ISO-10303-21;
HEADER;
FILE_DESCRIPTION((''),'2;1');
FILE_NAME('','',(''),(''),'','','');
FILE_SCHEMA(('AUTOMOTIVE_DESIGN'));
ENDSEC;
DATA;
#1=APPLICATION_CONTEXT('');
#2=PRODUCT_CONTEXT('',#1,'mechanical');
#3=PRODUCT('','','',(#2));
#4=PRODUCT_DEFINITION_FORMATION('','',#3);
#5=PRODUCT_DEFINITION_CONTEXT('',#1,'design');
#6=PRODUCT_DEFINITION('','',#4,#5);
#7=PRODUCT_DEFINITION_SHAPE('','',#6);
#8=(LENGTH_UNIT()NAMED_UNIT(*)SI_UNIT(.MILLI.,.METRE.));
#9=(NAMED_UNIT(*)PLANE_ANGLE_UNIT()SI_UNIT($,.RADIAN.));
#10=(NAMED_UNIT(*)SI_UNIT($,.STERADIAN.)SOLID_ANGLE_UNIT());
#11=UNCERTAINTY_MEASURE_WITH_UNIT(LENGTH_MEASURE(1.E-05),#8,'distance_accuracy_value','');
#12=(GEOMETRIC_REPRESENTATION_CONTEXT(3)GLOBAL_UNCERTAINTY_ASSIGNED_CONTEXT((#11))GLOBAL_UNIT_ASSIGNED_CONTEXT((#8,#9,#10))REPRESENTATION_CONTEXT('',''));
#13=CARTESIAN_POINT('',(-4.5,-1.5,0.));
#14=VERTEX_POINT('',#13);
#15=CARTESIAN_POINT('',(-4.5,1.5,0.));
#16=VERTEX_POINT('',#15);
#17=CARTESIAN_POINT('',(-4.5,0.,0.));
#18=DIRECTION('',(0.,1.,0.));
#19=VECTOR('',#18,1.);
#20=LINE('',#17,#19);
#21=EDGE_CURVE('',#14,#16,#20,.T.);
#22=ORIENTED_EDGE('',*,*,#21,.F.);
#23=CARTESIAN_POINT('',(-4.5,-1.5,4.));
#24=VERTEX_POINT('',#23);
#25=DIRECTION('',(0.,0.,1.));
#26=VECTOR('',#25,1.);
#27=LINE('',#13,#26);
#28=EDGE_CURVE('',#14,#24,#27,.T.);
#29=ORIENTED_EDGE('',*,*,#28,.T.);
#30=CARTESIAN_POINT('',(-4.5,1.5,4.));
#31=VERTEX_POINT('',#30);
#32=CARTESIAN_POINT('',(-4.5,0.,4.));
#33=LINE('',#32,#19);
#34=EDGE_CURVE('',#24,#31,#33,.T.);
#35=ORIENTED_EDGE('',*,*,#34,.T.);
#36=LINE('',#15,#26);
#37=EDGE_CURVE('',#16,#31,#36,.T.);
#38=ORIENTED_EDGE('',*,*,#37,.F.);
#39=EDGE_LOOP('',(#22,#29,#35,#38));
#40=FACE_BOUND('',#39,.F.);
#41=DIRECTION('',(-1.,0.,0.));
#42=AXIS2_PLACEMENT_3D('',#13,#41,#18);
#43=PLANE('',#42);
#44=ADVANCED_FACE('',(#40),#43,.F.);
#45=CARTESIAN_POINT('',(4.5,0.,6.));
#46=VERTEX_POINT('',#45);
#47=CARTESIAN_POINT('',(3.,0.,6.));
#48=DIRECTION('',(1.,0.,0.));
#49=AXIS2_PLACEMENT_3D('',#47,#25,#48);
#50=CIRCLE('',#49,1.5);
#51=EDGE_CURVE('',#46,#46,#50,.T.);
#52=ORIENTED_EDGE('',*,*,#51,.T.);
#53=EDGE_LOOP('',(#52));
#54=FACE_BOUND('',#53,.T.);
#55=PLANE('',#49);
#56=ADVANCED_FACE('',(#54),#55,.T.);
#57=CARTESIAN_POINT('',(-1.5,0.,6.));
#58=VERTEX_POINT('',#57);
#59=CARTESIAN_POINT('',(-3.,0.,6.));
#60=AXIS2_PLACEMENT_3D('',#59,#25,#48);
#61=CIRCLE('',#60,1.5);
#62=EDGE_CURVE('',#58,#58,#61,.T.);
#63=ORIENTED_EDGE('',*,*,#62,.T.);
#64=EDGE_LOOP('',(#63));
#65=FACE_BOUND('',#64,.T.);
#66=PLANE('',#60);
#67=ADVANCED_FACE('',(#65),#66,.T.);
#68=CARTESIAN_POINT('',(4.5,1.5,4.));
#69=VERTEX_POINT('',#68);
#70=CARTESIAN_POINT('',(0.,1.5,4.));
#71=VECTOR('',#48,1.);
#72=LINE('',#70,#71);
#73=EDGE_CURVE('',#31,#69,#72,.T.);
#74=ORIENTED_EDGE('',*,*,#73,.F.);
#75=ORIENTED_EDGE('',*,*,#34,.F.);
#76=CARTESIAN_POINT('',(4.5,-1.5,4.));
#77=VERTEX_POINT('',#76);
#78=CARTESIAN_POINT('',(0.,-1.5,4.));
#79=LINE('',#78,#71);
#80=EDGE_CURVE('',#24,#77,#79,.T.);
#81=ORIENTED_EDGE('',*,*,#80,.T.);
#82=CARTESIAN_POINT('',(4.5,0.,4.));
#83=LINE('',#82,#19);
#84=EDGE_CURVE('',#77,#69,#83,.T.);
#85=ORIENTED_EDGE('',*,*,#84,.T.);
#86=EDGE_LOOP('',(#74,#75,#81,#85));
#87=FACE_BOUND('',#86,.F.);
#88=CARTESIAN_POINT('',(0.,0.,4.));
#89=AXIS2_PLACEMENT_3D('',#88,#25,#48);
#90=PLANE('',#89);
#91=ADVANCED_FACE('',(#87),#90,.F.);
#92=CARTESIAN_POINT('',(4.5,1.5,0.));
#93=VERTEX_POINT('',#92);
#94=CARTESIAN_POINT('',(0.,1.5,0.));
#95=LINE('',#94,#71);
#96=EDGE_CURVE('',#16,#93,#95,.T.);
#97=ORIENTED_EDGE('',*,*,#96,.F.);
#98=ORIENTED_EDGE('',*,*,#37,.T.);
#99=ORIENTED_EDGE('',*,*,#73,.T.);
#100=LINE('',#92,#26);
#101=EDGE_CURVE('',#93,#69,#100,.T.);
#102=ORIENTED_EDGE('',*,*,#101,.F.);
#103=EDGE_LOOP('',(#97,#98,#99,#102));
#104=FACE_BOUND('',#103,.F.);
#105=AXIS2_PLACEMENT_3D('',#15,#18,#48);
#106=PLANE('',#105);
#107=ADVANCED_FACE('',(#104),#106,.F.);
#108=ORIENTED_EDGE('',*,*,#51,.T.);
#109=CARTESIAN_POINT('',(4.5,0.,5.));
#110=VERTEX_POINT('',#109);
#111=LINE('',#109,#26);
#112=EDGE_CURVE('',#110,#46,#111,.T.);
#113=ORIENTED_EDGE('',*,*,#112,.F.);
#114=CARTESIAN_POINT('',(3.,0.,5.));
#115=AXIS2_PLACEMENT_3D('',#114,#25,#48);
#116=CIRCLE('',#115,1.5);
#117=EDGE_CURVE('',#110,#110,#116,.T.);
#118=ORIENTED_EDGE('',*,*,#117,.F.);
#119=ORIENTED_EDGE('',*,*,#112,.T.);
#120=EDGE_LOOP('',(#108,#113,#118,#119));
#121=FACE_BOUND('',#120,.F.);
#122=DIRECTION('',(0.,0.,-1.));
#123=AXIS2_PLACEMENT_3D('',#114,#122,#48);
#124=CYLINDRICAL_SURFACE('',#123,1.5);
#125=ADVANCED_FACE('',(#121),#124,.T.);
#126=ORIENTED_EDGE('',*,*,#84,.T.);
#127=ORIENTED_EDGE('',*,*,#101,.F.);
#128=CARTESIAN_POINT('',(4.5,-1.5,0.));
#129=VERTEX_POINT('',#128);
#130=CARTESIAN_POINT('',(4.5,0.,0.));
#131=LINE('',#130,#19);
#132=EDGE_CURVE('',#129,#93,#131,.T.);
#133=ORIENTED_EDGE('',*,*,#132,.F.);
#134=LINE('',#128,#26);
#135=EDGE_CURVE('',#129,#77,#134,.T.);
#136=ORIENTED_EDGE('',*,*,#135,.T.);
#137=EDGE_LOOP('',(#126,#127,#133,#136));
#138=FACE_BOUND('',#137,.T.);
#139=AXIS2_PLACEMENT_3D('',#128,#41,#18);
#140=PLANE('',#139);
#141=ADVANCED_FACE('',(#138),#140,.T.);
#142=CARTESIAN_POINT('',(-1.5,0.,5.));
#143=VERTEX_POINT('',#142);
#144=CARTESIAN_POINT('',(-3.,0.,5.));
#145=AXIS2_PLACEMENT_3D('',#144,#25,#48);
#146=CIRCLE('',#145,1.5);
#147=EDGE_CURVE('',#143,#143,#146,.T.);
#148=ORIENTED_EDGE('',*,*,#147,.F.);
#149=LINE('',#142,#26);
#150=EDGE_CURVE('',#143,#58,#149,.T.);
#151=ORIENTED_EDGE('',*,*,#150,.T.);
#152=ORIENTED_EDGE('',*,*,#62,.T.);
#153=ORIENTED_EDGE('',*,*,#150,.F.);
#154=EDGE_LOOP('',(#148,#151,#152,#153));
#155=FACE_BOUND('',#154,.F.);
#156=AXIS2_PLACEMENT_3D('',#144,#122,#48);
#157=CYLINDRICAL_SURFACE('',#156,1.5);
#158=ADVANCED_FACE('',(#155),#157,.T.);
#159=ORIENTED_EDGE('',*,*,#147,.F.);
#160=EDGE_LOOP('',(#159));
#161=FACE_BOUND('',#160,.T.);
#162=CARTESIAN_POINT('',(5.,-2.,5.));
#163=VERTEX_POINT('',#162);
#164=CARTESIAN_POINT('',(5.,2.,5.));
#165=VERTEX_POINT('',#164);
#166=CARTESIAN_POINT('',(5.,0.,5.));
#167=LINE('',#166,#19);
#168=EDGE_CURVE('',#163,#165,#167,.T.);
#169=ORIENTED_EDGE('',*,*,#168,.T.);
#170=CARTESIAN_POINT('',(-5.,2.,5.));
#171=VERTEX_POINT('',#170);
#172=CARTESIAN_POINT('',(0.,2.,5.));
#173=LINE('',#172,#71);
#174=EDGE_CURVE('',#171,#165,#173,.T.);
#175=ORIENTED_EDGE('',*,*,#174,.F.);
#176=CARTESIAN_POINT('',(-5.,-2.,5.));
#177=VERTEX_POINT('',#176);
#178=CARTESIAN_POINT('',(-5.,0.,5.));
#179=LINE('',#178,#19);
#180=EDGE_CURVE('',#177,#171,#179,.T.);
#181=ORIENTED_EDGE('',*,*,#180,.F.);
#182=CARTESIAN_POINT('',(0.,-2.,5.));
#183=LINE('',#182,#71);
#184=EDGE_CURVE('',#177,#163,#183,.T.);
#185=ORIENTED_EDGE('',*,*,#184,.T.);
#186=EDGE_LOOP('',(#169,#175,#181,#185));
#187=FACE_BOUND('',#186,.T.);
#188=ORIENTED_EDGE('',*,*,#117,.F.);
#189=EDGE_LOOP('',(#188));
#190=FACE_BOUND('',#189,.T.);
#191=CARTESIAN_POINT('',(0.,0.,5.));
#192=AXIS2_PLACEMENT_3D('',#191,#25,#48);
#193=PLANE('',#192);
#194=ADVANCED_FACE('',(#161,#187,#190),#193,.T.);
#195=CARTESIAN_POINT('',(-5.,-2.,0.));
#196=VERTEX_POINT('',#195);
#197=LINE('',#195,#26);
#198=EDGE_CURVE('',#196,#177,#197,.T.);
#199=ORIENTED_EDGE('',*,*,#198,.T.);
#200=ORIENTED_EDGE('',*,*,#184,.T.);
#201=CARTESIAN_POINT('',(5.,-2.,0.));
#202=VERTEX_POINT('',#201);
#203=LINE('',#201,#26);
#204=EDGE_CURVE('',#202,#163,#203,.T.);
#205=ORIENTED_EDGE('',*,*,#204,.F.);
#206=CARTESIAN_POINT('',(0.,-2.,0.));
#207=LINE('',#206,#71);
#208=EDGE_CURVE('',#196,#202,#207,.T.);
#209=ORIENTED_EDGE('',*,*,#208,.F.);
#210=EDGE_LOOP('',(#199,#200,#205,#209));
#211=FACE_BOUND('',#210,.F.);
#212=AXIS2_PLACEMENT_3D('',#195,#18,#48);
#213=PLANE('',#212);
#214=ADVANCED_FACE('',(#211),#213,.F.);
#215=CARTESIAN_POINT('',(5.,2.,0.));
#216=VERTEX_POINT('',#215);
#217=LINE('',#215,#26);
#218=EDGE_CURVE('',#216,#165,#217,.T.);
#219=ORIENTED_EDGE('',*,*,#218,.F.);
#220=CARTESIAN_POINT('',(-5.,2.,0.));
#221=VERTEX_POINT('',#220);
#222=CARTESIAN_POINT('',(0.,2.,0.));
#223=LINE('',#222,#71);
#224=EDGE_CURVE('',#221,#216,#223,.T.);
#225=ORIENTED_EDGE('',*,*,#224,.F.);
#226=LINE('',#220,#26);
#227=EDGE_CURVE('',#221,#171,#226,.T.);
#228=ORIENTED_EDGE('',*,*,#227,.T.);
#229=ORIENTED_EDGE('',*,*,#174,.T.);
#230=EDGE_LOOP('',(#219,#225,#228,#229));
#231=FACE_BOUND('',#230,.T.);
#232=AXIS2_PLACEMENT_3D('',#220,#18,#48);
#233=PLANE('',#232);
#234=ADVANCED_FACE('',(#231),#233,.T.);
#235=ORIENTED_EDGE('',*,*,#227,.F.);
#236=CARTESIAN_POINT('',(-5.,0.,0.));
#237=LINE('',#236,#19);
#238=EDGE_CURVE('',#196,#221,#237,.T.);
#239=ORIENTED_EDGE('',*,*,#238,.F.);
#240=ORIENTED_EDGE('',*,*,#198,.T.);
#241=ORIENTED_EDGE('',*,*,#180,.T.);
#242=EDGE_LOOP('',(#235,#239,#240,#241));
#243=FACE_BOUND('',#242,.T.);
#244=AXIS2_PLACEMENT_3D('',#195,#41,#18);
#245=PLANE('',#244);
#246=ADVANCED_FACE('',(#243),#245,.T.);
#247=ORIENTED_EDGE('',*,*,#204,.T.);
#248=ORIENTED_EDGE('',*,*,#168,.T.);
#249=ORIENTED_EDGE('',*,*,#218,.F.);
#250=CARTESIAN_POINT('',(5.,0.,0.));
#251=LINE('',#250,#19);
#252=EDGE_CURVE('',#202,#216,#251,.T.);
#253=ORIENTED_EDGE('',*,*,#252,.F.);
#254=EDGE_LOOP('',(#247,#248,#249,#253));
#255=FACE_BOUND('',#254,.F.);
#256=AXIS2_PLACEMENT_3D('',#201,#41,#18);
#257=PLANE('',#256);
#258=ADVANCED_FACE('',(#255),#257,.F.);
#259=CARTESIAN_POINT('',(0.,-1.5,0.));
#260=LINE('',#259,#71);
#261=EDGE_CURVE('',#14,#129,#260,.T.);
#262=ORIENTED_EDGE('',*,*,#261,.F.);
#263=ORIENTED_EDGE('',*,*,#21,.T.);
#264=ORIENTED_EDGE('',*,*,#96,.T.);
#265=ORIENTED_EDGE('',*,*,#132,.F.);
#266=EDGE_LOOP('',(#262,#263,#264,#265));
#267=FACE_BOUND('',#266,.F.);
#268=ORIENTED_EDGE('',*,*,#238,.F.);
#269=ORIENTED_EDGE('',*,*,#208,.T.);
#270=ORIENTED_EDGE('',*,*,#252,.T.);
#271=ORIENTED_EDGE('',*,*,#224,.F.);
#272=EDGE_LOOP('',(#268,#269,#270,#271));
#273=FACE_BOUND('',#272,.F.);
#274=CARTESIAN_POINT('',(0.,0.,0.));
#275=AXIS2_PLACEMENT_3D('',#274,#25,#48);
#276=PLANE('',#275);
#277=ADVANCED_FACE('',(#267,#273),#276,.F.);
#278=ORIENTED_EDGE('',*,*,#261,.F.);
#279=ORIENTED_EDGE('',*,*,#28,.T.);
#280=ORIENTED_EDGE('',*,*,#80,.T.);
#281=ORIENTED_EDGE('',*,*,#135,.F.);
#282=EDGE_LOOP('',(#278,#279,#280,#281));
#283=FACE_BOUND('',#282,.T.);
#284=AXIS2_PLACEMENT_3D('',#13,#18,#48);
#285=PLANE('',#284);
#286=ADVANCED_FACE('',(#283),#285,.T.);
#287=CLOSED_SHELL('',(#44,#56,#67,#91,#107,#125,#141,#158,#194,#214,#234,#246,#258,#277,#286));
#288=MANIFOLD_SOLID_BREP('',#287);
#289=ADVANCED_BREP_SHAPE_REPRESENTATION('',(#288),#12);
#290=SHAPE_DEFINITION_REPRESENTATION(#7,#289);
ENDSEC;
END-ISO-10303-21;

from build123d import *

# Parameters (mm, degrees)
F0_W     = 10
F0_H     = 4
F1_DEPTH = 5
F2_R     = 1.5
F3_DEPTH = 1
F4_W     = 9
F4_H     = 3
F5_DEPTH = 4


with BuildPart() as f1:
    # F0 (on Top) → F1 (new body)
    with BuildSketch(Plane.XY):
        Rectangle(F0_W, F0_H)
    extrude(amount=F1_DEPTH)

    # F2 (on face) → F3 (join)
    with BuildSketch(Plane.XY.offset(5)):
        with Locations((-3, 0)):
            Circle(F2_R)
        with Locations((3, 0)):
            Circle(F2_R)
    extrude(amount=F3_DEPTH)

    # F4 (on Top) → F5 (cut)
    with BuildSketch(Plane.XY):
        Rectangle(F4_W, F4_H)
    extrude(amount=F5_DEPTH, mode=Mode.SUBTRACT)


solid = f1.part
